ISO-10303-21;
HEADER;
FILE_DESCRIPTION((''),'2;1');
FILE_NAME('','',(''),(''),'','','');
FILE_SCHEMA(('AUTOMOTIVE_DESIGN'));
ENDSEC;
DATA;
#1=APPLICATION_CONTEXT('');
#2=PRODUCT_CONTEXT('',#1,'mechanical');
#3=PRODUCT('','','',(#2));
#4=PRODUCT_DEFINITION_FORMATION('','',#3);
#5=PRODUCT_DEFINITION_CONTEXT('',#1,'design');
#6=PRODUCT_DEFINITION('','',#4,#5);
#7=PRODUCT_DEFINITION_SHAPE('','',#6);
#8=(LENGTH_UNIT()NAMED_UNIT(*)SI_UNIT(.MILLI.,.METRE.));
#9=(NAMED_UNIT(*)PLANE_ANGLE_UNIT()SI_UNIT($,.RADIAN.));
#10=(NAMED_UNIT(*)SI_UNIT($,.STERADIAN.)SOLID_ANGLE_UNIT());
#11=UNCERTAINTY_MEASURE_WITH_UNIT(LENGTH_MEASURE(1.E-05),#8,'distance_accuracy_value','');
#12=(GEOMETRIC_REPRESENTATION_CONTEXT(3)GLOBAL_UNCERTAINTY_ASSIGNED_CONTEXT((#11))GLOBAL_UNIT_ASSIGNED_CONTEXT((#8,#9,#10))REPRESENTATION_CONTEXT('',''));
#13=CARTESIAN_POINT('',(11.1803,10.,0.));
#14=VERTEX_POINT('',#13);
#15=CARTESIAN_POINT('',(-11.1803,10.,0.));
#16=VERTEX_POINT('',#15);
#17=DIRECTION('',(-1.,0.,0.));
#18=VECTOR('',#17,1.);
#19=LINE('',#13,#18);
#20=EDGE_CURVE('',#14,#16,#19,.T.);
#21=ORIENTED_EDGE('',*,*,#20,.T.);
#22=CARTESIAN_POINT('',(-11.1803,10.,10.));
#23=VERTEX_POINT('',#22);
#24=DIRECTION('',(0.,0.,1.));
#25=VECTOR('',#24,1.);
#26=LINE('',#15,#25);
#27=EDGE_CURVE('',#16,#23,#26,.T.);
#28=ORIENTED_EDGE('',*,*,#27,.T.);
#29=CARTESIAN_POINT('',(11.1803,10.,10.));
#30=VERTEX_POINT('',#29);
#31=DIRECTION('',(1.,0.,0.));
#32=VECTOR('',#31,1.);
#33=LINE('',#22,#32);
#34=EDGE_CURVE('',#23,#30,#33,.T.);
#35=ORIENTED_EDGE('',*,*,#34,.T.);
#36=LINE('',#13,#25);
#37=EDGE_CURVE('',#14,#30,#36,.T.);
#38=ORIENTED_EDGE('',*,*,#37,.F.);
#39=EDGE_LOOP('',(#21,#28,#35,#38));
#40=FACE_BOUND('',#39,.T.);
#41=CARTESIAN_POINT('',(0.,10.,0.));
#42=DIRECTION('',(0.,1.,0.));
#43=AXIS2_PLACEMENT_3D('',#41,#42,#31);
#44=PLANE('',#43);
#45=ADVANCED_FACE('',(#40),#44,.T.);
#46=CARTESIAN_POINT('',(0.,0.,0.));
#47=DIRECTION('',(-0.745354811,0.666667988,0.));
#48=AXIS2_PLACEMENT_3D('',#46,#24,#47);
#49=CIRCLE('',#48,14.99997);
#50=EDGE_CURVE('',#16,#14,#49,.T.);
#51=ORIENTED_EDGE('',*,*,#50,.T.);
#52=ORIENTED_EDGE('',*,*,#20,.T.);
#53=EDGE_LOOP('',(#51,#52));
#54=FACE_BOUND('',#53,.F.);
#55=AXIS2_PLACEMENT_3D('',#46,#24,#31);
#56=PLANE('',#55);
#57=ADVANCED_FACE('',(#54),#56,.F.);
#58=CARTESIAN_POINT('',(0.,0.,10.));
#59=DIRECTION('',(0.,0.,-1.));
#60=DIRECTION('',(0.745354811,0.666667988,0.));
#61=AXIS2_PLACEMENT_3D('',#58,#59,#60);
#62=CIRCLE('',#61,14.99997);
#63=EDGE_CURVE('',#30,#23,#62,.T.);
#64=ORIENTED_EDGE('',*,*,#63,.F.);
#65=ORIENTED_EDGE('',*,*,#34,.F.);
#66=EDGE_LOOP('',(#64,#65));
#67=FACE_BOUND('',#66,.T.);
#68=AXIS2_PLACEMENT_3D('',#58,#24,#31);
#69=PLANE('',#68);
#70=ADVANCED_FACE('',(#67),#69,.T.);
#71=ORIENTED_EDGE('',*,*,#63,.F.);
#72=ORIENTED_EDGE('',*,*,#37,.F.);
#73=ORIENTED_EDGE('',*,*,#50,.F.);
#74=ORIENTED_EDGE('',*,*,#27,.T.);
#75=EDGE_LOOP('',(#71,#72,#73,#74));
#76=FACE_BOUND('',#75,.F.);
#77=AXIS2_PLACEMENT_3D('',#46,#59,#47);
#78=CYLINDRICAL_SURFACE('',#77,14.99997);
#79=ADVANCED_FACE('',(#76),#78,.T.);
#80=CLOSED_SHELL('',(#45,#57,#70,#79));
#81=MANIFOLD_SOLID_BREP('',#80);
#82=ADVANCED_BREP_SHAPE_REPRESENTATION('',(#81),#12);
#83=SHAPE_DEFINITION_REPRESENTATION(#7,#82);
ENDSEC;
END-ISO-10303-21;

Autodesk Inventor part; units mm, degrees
ref_plane "YZ Plane" through (0, 0, 0) normal (1, 0, 0) x (0, 1, 0)
ref_plane "XZ Plane" through (0, 0, 0) normal (0, 1, 0) x (-1, 0, 0)
ref_plane "XY Plane" through (0, 0, 0) normal (0, 0, 1) x (1, 0, 0)
sketch "Sketch1" plane through (0, 0, 0) normal (0, 0, 1) x (1, 0, 0)
  line L0 (0, 17.5) -> (0, -17.5) projected
  line L1 (-18, 0) -> (24, 0) projected
  arc A0 (-11.1803, 10) -> (11.1803, 10) centre (0, 0) ccw
  line L2 (-11.1803, 10) -> (11.1803, 10)
  dimension "d2" = 15
  dimension "d3" = 10
extrude "Extrusion1" add sketch "Sketch1" along normal blind 10
properties part number "D"
